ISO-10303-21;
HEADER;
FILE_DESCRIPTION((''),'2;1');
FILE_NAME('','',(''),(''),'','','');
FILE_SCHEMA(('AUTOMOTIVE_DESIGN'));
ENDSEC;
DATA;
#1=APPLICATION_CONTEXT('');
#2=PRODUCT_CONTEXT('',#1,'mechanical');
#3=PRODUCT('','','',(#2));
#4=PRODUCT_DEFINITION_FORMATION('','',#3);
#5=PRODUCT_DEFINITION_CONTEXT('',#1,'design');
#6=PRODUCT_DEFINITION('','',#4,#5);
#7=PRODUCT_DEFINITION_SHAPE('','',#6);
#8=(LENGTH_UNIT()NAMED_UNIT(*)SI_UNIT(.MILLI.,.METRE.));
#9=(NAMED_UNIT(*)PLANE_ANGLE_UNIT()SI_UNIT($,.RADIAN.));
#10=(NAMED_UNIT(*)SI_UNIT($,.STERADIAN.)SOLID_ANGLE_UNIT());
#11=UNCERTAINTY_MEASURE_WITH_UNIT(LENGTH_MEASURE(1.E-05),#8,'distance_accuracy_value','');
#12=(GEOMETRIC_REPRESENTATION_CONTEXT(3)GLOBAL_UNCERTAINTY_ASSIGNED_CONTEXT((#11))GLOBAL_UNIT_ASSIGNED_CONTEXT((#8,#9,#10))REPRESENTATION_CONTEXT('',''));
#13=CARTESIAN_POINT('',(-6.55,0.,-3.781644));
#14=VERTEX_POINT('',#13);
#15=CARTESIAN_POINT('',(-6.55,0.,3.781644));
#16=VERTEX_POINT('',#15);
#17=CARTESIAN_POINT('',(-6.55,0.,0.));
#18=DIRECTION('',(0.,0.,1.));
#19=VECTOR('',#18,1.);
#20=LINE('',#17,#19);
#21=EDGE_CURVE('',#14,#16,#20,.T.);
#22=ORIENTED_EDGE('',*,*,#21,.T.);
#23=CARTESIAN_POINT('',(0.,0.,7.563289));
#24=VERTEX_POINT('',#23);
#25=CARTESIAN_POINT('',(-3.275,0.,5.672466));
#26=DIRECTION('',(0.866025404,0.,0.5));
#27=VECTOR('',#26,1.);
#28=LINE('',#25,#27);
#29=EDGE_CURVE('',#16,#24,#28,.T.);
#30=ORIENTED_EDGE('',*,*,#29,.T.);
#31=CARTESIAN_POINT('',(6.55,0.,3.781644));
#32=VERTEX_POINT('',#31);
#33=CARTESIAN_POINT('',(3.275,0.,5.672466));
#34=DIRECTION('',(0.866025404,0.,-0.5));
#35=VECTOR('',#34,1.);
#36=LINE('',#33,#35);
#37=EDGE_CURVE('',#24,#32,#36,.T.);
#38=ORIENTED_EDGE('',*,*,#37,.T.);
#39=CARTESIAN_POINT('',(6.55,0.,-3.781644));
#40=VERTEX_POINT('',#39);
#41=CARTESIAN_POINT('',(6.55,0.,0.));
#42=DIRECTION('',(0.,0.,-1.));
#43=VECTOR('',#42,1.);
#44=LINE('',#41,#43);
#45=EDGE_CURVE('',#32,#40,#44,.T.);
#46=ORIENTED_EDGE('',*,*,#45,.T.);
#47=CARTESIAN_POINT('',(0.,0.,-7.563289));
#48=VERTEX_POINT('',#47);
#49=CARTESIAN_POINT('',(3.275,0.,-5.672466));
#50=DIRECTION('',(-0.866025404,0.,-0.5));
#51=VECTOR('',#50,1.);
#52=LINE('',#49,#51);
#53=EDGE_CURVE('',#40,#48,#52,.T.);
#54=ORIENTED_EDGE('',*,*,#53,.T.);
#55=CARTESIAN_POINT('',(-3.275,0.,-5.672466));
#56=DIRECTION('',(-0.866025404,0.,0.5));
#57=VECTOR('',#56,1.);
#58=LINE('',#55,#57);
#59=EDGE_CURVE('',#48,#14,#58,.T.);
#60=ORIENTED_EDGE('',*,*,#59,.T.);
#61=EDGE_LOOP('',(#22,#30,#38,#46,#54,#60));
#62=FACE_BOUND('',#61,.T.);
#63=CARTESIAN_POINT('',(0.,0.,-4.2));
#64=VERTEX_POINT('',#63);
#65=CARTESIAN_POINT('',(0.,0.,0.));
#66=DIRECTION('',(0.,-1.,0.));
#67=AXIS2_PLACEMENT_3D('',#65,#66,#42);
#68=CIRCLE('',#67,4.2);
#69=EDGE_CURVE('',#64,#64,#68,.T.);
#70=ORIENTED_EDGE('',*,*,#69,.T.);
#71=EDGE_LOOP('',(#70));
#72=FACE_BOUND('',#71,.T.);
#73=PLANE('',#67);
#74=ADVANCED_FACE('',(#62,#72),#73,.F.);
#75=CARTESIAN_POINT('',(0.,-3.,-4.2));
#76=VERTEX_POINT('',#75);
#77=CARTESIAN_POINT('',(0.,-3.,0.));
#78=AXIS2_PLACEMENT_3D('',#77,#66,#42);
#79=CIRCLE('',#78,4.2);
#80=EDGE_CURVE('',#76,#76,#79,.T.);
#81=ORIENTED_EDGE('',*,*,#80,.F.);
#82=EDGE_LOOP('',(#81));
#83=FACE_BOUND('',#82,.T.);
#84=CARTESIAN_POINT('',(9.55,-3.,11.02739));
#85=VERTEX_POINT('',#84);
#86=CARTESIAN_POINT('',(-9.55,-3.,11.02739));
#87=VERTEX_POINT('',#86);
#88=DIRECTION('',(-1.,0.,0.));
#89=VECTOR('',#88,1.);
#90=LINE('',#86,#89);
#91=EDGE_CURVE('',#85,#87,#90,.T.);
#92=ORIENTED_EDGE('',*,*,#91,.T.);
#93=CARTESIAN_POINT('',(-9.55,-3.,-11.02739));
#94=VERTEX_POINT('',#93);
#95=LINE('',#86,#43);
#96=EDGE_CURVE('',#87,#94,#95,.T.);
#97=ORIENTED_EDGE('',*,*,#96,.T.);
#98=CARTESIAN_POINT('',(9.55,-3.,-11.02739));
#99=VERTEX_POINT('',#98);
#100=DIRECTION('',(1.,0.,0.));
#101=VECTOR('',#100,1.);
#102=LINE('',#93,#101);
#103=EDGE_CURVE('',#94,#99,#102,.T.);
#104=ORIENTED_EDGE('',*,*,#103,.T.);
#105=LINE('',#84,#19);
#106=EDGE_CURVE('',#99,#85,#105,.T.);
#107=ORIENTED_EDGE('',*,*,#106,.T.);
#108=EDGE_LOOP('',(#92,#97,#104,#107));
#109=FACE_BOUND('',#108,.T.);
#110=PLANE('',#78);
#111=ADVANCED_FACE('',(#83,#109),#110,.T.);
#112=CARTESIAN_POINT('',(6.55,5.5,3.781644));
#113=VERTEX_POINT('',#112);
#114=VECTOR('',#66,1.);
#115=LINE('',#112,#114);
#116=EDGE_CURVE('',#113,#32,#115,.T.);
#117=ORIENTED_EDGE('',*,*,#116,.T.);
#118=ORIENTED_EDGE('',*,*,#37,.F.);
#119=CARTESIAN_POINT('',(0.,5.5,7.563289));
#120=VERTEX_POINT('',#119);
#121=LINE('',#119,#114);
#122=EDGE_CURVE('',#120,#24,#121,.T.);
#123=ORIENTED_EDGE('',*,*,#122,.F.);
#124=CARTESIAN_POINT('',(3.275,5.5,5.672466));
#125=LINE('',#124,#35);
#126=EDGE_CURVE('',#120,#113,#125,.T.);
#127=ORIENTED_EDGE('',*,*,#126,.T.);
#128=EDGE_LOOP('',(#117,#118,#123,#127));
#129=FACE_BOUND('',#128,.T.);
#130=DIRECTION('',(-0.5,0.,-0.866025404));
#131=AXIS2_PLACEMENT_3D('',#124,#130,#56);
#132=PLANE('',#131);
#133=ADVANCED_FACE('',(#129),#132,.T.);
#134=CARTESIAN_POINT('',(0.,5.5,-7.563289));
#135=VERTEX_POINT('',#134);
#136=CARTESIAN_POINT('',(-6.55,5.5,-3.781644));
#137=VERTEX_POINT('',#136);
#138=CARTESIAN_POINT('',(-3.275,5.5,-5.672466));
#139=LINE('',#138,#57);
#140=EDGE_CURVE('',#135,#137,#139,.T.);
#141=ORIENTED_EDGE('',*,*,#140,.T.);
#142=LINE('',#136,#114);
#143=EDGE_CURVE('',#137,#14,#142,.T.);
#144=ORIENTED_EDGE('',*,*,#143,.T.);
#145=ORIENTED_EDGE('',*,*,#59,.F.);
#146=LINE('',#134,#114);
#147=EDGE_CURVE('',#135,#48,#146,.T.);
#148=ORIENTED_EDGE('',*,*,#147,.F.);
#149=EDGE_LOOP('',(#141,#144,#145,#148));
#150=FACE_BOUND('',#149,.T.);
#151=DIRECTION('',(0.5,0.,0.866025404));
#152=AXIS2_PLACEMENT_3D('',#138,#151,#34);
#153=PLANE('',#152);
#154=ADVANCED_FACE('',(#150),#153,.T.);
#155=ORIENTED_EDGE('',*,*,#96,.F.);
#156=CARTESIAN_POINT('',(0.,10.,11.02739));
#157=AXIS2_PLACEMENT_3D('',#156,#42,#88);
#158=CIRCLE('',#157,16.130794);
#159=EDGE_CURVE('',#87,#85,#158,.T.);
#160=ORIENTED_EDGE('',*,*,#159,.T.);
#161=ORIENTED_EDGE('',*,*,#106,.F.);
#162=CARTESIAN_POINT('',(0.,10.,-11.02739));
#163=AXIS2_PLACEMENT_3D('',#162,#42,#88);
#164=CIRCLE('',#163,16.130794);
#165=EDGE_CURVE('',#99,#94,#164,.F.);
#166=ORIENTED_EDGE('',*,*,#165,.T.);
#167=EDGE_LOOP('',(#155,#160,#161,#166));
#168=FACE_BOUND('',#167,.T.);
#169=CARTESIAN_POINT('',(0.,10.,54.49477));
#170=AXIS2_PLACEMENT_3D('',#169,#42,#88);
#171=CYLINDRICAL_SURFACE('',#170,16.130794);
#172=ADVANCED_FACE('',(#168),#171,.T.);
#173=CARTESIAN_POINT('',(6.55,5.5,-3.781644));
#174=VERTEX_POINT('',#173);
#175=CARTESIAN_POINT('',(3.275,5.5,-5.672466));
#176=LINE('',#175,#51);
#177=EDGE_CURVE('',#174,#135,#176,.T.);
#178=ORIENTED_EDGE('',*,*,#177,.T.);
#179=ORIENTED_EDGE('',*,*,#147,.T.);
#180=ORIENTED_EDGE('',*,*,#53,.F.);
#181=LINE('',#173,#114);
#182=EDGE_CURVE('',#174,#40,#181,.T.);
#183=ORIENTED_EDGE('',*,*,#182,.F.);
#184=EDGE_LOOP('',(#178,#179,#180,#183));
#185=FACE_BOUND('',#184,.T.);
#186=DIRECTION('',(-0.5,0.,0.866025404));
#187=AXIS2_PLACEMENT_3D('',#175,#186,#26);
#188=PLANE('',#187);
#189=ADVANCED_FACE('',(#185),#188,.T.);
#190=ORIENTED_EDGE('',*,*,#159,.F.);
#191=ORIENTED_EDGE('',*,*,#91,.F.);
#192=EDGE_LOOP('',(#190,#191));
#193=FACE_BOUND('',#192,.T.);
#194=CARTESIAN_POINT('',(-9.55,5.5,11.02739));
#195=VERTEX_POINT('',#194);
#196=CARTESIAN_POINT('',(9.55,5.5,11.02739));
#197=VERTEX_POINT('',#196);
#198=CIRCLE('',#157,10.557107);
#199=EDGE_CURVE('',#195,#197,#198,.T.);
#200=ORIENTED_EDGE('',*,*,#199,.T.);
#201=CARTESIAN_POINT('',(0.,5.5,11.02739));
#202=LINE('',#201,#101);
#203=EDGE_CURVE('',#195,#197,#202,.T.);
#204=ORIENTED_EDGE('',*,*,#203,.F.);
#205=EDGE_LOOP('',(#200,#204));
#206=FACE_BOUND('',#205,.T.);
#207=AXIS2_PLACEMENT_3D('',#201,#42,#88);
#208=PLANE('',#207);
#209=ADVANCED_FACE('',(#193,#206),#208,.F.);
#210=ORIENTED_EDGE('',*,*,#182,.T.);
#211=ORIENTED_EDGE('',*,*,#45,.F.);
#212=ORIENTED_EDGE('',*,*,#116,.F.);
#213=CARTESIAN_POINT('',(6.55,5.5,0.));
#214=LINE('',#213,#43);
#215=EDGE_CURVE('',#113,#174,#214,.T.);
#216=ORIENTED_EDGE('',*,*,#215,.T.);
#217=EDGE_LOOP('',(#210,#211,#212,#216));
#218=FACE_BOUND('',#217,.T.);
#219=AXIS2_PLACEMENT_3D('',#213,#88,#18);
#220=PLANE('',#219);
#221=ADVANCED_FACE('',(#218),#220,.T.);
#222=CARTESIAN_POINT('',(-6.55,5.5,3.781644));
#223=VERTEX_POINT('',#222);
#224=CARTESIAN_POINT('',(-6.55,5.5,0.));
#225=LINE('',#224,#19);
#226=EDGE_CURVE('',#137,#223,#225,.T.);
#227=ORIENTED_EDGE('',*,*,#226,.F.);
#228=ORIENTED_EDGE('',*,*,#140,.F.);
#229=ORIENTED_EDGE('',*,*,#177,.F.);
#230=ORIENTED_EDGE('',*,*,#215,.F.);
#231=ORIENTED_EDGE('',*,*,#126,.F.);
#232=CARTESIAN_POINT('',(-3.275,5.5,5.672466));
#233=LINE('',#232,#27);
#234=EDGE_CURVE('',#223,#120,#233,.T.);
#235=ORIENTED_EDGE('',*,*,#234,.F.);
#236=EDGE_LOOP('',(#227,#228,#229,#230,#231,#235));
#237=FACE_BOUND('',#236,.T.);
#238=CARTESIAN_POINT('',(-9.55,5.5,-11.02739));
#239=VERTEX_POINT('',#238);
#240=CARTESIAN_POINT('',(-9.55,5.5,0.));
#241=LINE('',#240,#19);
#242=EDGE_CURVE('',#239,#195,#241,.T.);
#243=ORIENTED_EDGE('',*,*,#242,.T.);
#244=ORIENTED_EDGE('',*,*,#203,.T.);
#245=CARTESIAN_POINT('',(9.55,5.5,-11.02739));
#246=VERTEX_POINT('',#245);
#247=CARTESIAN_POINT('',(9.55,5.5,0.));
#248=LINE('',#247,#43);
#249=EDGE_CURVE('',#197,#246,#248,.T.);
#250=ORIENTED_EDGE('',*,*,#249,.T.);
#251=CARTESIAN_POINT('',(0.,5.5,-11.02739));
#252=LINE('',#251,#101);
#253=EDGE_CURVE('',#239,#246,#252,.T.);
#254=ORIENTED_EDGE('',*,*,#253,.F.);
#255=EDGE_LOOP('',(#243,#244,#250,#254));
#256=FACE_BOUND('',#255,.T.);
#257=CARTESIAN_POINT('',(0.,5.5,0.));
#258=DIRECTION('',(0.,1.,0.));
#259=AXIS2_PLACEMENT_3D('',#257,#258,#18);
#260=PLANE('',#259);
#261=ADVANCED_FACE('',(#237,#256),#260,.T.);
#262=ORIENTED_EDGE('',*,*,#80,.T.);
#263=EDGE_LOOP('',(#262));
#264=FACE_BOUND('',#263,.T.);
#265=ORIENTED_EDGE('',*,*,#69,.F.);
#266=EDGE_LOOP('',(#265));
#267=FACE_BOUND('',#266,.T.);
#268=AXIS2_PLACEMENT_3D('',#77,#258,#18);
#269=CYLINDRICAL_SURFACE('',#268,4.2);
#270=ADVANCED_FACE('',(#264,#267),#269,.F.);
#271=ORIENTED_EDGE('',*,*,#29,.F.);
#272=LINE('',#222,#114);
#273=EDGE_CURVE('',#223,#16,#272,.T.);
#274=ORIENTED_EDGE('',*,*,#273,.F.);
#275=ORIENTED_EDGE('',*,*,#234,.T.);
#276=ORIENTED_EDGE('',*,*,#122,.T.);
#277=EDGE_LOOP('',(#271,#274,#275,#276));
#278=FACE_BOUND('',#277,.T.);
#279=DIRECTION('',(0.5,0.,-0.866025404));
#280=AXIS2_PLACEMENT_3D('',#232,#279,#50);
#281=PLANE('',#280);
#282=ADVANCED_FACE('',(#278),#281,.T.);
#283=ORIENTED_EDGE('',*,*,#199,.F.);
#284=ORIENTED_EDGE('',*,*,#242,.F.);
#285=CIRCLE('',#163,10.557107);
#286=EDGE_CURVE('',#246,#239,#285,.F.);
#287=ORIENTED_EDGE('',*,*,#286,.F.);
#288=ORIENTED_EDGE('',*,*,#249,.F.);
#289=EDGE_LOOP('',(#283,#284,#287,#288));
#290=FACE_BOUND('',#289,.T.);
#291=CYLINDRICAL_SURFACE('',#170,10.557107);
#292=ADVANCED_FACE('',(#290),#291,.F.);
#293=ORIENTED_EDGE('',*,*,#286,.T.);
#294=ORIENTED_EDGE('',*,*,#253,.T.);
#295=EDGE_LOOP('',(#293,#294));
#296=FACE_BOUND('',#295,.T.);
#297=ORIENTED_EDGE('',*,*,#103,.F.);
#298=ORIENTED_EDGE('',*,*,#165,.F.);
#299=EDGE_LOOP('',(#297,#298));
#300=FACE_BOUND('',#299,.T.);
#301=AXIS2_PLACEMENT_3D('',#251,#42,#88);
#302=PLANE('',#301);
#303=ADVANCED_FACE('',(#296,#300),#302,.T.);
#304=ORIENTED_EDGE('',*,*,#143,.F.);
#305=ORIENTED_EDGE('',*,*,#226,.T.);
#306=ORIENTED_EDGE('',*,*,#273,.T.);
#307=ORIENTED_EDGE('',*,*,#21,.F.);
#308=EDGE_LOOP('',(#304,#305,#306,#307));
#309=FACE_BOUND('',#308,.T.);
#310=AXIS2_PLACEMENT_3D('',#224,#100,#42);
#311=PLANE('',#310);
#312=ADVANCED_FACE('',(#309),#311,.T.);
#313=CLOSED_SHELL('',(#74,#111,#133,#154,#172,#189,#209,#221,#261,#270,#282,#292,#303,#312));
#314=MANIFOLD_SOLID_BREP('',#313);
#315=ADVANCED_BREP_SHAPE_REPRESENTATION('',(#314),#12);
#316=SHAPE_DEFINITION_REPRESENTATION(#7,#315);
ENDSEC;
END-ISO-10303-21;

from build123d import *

# Parameters (mm, degrees)
BOSS_EXTRU_1_DEPTH = 5.5
ESQUISSE5_W        = 19.1
ESQUISSE5_H        = 22.054780284
ESQUISSE5_R        = 4.2
BOSS_EXTRU_7_DEPTH = 3
BOSS_EXTRU_8_START = -11.02739
BOSS_EXTRU_8_DEPTH = 22.05478


with BuildPart() as part:
    # Esquisse1 → Boss.-Extru.1 (new body)
    with BuildSketch(Plane(origin=(0, 0, 0), x_dir=(1, 0, 0), z_dir=(0, 1, 0))):
        Polygon((-9.55, -5.513695071), (0, -11.027390142), (9.55, -5.513695071), (9.55, 5.513695071), (0, 11.027390142), (-9.55, 5.513695071), align=None)
        Polygon((0, -7.563288526), (6.55, -3.781644263), (6.55, 3.781644263), (0, 7.563288526), (-6.55, 3.781644263), (-6.55, -3.781644263), align=None, mode=Mode.SUBTRACT)
        Polygon((-9.55, -11.027390142), (0, -11.027390142), (-9.55, -5.513695071), align=None)
        Polygon((-9.55, 5.513695071), (0, 11.027390142), (-9.55, 11.027390142), align=None)
        Polygon((0, 11.027390142), (9.55, 5.513695071), (9.55, 11.027390142), align=None)
        Polygon((9.55, -11.027390142), (9.55, -5.513695071), (0, -11.027390142), align=None)
    extrude(amount=BOSS_EXTRU_1_DEPTH)

    # Esquisse5 → Boss.-Extru.7 (add)
    with BuildSketch(Plane(origin=(0, 0, 0), x_dir=(-1, 0, 0), z_dir=(0, -1, 0))):
        Rectangle(ESQUISSE5_W, ESQUISSE5_H)
        Circle(ESQUISSE5_R, mode=Mode.SUBTRACT)
    extrude(amount=BOSS_EXTRU_7_DEPTH)

    # Esquisse6 → Boss.-Extru.8 (add)
    with BuildSketch(Plane.XY.offset(BOSS_EXTRU_8_START)):
        with BuildLine():
            ThreePointArc((16.130793533, 10), (-7.285376509, 24.39186538), (-9.55, -3))
            Line((-9.55, -3), (-9.55, 5.5))
            ThreePointArc((-9.55, 5.5), (-2.305659544, 20.302253834), (10.557106611, 10))
            ThreePointArc((10.557106611, 10), (10.302253834, 7.694340456), (9.55, 5.5))
            Line((9.55, 5.5), (9.55, -3))
            ThreePointArc((9.55, -3), (14.39186538, 2.714623491), (16.130793533, 10))
        make_face()
    extrude(amount=BOSS_EXTRU_8_DEPTH)


solid = part.part
